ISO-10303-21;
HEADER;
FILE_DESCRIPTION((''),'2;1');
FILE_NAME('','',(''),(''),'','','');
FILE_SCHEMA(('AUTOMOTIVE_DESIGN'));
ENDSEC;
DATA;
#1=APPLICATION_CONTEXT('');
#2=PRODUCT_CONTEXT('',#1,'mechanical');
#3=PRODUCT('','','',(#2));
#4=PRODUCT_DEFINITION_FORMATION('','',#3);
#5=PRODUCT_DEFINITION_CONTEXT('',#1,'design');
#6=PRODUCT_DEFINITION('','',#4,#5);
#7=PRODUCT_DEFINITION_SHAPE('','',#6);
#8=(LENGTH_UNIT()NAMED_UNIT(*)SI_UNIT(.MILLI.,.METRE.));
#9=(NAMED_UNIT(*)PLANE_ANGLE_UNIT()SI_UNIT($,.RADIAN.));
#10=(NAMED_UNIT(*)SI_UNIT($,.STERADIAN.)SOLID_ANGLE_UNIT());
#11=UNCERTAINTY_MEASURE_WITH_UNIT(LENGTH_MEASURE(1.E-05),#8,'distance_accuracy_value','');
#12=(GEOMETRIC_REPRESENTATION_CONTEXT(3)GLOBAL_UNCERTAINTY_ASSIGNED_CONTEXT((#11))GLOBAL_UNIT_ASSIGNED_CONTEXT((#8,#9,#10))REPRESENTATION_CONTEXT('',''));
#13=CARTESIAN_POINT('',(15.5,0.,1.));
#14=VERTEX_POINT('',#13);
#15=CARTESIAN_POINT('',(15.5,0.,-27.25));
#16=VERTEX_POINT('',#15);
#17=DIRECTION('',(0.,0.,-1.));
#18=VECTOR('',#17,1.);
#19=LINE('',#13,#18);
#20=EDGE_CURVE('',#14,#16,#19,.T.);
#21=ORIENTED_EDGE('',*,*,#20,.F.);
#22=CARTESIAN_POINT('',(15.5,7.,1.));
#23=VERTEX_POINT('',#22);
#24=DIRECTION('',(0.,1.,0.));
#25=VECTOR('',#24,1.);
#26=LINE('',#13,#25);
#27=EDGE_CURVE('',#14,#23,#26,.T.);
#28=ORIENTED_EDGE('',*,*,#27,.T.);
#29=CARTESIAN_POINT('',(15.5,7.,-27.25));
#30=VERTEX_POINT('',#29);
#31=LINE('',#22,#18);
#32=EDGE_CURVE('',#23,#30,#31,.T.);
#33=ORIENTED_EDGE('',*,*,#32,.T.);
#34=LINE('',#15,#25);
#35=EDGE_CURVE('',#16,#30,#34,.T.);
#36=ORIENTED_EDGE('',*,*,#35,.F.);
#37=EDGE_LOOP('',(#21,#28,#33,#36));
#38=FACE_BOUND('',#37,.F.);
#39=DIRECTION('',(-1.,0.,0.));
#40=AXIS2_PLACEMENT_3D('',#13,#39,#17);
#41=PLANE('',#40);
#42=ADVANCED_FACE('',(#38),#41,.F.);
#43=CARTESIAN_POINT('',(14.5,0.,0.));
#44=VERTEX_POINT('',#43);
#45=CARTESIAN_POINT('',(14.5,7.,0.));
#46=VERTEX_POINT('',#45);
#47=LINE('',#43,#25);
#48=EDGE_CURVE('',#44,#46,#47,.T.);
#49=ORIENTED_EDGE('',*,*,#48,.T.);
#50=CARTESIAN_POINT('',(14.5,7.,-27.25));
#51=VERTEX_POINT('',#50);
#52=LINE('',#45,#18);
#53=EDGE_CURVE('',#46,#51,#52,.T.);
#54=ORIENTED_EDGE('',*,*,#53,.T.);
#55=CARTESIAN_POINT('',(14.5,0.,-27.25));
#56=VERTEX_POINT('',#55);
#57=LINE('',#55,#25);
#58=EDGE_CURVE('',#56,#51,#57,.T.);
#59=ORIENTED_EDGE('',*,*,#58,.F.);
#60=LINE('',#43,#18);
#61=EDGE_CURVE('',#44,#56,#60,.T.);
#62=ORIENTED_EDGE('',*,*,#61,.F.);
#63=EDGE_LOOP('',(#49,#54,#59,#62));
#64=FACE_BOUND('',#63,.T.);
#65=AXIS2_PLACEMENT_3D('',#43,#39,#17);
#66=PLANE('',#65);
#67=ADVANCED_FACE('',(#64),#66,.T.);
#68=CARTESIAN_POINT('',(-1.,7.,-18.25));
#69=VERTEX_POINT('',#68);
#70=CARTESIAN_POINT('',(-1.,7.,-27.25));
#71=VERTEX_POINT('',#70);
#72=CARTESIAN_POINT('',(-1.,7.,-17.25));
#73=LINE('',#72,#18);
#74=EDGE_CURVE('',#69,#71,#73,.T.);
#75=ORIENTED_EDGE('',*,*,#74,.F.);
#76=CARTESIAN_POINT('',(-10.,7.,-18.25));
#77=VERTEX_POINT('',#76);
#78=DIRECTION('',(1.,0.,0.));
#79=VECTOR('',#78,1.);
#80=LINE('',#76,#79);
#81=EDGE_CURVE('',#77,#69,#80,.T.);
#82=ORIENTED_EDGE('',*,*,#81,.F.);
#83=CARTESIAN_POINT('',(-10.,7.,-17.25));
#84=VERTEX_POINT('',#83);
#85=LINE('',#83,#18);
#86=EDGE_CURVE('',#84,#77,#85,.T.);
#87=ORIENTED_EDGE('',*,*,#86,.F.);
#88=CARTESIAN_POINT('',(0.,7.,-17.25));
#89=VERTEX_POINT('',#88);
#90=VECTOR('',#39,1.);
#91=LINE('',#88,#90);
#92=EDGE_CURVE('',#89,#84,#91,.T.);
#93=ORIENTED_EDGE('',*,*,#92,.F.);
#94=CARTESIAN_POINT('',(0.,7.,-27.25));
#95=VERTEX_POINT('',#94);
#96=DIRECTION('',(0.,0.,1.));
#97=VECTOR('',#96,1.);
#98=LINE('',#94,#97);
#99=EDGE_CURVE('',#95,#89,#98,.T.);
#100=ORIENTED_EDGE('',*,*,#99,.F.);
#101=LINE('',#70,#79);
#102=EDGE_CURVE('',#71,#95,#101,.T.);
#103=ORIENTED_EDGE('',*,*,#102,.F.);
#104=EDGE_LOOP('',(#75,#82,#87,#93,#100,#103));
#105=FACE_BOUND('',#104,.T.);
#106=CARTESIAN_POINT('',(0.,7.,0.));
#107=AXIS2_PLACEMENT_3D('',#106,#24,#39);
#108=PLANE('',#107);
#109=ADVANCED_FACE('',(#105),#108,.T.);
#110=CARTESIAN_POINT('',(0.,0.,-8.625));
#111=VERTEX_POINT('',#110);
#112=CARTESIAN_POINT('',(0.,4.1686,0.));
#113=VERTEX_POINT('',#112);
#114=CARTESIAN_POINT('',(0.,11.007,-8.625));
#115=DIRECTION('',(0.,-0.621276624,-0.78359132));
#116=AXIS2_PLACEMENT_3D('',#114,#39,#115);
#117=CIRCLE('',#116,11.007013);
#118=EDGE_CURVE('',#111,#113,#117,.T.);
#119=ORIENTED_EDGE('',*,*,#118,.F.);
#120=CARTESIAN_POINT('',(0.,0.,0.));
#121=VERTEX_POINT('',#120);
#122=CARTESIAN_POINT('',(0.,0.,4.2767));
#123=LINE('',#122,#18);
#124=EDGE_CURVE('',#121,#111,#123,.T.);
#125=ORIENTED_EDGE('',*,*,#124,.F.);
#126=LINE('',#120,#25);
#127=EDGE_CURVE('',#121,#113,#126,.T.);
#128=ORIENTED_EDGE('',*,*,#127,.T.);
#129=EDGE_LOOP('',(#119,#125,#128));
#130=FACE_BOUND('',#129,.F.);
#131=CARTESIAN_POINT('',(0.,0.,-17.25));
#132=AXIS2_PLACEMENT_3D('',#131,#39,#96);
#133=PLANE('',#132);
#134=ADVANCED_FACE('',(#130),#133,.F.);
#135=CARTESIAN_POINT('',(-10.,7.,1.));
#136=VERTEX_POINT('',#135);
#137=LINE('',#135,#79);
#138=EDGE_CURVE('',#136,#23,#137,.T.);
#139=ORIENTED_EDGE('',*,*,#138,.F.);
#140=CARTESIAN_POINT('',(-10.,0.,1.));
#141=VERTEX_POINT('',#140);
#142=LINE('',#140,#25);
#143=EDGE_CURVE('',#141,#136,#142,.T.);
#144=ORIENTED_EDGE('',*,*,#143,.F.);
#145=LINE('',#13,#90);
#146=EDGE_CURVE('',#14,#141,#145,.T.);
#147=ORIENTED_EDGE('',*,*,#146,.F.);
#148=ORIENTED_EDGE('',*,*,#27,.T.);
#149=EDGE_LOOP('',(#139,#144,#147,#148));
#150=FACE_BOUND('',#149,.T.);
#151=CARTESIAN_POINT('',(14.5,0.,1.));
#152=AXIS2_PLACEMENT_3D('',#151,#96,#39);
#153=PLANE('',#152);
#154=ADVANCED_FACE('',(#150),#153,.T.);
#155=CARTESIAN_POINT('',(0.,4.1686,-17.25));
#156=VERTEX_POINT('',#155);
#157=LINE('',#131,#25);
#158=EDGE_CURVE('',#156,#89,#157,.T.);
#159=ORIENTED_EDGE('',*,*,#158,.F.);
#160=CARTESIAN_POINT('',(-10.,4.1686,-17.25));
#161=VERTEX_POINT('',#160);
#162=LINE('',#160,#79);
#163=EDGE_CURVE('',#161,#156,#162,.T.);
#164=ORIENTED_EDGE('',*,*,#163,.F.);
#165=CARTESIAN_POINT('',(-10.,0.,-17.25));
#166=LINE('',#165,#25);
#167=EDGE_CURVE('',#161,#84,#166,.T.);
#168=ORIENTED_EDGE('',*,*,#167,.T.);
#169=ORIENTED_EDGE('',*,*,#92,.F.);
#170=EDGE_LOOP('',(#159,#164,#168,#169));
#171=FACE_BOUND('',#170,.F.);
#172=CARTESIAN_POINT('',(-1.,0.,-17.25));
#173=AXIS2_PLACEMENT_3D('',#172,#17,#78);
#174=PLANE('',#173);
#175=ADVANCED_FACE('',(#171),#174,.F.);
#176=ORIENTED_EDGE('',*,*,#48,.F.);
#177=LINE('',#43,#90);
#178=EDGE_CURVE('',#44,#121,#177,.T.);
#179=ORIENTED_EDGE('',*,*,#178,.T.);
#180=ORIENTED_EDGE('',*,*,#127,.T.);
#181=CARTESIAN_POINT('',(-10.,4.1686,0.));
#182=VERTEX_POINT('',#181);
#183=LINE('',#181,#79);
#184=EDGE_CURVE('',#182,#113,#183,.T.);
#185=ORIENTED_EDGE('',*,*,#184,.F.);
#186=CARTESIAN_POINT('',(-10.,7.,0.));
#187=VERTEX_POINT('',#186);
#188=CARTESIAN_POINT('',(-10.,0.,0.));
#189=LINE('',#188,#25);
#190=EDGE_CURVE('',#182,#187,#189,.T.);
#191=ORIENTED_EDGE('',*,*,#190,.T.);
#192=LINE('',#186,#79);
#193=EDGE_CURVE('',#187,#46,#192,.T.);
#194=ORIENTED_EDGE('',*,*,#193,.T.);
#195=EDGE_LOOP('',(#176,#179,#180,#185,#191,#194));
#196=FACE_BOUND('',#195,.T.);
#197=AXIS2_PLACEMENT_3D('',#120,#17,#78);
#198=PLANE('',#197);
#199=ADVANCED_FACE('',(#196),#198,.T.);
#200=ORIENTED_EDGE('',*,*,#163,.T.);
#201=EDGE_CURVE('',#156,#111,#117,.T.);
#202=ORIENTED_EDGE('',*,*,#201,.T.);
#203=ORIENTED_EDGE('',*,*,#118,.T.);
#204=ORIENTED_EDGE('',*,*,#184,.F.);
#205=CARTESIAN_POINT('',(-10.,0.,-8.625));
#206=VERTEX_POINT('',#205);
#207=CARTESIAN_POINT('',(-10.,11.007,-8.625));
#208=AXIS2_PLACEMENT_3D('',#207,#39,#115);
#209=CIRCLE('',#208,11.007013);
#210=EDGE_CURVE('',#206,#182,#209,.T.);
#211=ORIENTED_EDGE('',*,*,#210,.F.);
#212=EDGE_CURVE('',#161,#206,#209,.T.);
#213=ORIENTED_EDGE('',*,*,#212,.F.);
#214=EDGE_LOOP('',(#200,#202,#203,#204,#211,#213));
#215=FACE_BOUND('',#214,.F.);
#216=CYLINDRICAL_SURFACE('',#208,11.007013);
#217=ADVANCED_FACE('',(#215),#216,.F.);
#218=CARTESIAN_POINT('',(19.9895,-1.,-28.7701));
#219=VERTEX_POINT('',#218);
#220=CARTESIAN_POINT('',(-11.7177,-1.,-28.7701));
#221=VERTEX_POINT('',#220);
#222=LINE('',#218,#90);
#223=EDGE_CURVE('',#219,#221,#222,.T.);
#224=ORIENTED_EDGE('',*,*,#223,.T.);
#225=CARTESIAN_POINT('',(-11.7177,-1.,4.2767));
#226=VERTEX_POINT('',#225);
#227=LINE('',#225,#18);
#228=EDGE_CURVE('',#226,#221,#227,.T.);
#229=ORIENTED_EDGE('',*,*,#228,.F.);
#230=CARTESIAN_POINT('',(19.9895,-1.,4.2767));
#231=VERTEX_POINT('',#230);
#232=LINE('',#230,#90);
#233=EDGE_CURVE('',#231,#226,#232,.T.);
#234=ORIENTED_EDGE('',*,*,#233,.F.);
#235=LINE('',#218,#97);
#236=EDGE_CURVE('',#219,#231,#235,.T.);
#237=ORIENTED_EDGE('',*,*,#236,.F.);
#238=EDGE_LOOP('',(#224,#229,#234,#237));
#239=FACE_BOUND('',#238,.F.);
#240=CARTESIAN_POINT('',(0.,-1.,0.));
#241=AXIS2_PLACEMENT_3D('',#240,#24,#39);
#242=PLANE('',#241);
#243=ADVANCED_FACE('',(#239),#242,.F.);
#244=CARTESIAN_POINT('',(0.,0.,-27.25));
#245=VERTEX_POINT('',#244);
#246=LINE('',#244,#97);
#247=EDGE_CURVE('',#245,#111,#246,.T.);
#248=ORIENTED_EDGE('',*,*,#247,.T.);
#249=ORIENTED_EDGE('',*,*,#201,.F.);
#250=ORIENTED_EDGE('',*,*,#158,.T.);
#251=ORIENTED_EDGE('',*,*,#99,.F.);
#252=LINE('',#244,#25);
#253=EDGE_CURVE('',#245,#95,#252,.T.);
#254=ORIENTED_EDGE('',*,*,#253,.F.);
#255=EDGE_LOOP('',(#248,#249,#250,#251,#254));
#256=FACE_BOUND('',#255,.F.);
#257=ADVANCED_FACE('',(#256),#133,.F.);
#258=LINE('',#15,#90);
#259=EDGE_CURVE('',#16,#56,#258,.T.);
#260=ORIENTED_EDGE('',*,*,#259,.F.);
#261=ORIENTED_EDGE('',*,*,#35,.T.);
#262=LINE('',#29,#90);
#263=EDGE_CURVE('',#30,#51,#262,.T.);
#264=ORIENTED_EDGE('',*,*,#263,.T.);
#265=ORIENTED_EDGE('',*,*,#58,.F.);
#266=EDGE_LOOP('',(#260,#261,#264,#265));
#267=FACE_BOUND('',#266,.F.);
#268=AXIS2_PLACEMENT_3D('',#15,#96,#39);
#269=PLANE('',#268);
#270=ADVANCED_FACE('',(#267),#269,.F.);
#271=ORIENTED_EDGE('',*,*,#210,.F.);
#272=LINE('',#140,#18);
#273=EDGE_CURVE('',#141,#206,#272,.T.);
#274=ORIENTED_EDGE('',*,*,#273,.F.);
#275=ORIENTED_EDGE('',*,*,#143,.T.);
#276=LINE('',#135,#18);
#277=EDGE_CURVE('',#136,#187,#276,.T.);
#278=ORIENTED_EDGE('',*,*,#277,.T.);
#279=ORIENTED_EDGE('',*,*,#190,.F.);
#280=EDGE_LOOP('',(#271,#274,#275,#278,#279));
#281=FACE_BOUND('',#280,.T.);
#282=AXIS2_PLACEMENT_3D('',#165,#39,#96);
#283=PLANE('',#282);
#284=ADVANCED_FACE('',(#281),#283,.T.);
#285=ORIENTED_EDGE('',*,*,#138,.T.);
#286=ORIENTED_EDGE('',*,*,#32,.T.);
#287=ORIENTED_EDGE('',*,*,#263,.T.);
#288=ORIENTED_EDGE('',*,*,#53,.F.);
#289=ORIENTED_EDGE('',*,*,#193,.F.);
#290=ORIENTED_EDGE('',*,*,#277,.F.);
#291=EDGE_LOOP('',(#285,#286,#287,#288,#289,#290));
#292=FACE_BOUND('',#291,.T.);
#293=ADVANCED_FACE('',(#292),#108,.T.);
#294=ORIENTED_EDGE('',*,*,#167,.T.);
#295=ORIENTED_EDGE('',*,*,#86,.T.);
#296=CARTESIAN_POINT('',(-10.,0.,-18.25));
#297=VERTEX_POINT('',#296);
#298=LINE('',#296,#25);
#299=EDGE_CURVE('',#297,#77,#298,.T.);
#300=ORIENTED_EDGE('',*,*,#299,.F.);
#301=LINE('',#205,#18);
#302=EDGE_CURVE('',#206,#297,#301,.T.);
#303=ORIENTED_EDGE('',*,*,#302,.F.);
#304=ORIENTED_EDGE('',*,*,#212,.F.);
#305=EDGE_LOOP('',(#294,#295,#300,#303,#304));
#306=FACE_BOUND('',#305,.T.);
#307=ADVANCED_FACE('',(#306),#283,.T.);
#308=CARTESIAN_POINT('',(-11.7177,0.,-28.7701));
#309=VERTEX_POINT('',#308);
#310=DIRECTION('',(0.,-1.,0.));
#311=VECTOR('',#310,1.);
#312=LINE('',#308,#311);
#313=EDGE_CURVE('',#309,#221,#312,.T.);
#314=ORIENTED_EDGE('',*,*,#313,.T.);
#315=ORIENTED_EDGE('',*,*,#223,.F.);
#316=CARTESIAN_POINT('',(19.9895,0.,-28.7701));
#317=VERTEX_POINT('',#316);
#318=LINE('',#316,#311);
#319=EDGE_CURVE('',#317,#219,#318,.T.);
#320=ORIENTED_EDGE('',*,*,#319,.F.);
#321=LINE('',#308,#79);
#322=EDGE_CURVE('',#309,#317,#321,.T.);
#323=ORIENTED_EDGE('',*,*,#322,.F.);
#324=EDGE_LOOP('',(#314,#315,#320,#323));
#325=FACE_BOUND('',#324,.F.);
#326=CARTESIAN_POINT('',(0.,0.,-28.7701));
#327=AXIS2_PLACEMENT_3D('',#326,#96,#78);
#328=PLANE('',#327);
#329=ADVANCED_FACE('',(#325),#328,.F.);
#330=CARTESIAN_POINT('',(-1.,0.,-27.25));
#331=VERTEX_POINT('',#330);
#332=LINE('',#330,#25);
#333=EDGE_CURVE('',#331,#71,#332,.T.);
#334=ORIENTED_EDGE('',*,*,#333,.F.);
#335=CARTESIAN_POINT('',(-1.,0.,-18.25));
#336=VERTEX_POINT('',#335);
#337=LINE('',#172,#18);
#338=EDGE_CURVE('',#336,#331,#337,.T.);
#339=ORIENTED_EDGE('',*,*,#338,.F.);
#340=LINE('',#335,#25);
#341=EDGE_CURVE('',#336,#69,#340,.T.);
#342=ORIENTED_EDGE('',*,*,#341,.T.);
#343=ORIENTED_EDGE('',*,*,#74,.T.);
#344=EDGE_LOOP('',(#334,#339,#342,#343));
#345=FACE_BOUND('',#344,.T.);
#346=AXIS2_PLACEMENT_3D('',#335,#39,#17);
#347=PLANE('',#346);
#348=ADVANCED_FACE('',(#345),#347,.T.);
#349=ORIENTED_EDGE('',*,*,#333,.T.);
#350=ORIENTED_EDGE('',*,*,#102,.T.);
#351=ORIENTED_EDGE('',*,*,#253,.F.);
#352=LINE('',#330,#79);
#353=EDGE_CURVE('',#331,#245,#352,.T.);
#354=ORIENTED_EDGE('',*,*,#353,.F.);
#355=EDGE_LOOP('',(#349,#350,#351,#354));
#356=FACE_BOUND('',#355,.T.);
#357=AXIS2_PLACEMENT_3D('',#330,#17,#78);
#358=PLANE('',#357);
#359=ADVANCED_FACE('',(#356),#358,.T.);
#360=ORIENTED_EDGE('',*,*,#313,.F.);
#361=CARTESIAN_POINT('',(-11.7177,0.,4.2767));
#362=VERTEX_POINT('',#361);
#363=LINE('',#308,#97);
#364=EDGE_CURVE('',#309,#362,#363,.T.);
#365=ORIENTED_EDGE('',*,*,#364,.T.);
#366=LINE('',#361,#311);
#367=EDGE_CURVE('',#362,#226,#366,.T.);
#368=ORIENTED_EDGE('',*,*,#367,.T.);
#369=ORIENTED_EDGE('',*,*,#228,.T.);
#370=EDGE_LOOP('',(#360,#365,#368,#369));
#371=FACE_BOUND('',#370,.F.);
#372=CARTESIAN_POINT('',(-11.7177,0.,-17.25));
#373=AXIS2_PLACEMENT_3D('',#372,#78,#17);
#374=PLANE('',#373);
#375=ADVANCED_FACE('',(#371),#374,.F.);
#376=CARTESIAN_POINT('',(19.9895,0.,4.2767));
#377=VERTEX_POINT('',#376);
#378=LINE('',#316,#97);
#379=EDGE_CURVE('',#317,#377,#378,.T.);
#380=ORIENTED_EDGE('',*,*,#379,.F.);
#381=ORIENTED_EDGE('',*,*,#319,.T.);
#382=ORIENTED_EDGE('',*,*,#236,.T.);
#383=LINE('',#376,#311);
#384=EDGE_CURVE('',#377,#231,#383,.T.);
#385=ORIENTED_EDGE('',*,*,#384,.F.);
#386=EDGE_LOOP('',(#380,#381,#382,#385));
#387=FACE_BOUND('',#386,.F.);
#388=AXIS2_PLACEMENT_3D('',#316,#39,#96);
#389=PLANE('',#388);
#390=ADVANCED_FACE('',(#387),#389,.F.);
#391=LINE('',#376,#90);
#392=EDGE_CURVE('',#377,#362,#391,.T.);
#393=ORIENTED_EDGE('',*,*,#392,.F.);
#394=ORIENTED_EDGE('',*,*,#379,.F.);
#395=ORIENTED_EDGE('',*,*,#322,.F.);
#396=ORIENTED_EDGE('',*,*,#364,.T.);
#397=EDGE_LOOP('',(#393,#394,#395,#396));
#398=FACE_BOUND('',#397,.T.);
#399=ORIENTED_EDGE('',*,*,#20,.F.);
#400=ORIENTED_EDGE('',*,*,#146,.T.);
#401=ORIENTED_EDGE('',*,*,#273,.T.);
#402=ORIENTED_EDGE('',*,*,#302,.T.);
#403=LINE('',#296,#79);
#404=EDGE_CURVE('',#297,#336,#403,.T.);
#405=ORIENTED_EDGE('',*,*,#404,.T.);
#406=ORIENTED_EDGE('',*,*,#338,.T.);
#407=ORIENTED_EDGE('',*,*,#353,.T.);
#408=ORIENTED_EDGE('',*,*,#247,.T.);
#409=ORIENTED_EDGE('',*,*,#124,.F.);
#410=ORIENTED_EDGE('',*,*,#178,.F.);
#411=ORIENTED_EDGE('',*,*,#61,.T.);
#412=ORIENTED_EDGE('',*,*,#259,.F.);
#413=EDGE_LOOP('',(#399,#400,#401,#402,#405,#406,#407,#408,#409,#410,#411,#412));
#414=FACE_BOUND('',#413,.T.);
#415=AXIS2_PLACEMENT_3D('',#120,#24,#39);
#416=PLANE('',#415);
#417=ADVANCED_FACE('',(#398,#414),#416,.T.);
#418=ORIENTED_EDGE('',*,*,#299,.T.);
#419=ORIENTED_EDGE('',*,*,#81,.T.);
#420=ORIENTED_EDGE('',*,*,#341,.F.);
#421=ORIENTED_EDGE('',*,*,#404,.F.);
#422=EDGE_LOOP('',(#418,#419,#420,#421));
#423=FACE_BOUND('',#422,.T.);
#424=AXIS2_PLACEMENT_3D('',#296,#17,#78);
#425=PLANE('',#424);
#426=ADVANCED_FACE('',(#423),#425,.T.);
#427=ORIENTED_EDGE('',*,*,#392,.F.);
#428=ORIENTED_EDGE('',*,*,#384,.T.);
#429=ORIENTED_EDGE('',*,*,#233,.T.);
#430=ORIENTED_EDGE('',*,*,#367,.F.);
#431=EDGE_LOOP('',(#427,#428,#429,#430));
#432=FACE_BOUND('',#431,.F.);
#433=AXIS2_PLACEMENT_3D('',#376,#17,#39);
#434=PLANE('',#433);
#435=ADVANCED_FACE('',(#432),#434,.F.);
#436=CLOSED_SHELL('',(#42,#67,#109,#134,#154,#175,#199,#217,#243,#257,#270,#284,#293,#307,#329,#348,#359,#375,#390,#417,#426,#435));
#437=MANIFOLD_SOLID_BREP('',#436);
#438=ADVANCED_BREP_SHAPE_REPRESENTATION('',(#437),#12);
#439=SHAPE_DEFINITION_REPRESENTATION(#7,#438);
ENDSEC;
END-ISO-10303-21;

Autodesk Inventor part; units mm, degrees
ref_plane "YZ Plane" through (0, 0, 0) normal (1, 0, 0) x (0, 1, 0)
ref_plane "XZ Plane" through (0, 0, 0) normal (0, 1, 0) x (-1, 0, 0)
ref_plane "XY Plane" through (0, 0, 0) normal (0, 0, 1) x (1, 0, 0)
sketch "Sketch1" plane through (0, 0, 0) normal (0, 1, 0) x (-1, 0, 0)
  line L0 (0, 0) -> (-14.5, 0)
  line L1 (-14.5, 0) -> (-14.5, -42.5)
  line L2 (-14.5, -42.5) -> (0, -42.5)
  line L3 (0, -42.5) -> (0, 0)
  line L4 (0, 0) -> (15.5, 0)
  line L5 (15.5, 0) -> (15.5, -17.25)
  line L6 (15.5, -17.25) -> (0, -17.25)
  line L7 (0, -17.25) -> (0, 0)
  line L8 (0, -17.25) -> (10, -17.25)
  line L9 (10, -17.25) -> (10, -18.25)
  line L10 (10, -18.25) -> (0, -18.25)
  line L11 (0, -18.25) -> (0, -17.25)
  line L12 (0, -17.25) -> (1, -17.25)
  line L13 (1, -17.25) -> (1, -27.25)
  line L14 (1, -27.25) -> (0, -27.25)
  line L15 (0, -27.25) -> (0, -17.25)
  line L16 (10, 0) -> (-14.5, 0)
  line L17 (-14.5, 0) -> (-14.5, 1)
  line L18 (-14.5, 1) -> (10, 1)
  line L19 (10, 1) -> (10, 0)
  line L20 (-14.5, 1) -> (-15.5, 1)
  line L21 (-15.5, 1) -> (-15.5, -27.25)
  line L22 (-15.5, -27.25) -> (-14.5, -27.25)
  line L23 (-14.5, -27.25) -> (-14.5, 1)
  line L24 (11.7177, -28.7701) -> (-19.9895, -28.7701)
  line L25 (-19.9895, -28.7701) -> (-19.9895, 4.2767)
  line L26 (-19.9895, 4.2767) -> (11.7177, 4.2767)
  line L27 (11.7177, 4.2767) -> (11.7177, -28.7701)
  dimension "d0" = 15.5
  dimension "d1" = 17.25
  dimension "d2" = 14.5
  dimension "d3" = 42.5
  dimension "d4" = 1
  dimension "d5" = 10
  dimension "d6" = 10
  dimension "d7" = 1
  dimension "d8" = 1
  dimension "d9" = 1
  dimension "d10" = 28.25
extrude "Extrusion1" add sketch "Sketch1" against normal blind 1 contours L3 L24 L1 L0 | L4 L27 L6 L3 | L0 L17 L18 L19 L4 | L1 L22 L21 L20 L17 | L6 L13 L10 L3 | L19 L18 L20 L21 L22 L1 L24 L25 L26 L27 L4 | L10 L13 L14 L3 | L6 L9 L10 L13 | L14 L13 L10 L9 L6 L27 L24 L3
extrude "Extrusion2" add sketch "Sketch1" along normal blind 7 contours L0 L17 L18 L19 L4 | L1 L22 L21 L20 L17 | L6 L13 L10 L3 | L10 L13 L14 L3 | L6 L9 L10 L13
sketch "Sketch2" plane through (-10, 0, -17.25) normal (-1, 0, 0) x (0, 0, 1)
  line L0 (0, 0) -> (-1, 0) projected
  line L1 (0, 0) -> (0, 7) projected
  line L2 (-1, 7) -> (0, 7) projected
  line L3 (-1, 0) -> (-1, 7) projected
  line L4 (18.25, 0) -> (17.25, 0) projected
  line L5 (18.25, 0) -> (18.25, 7) projected
  line L6 (17.25, 7) -> (18.25, 7) projected
  line L7 (17.25, 0) -> (17.25, 7) projected
  arc A0 (0, 4.027) -> (17.25, 4.027) centre (8.625, 11.25) ccw
  line L8 (21.5267, 0) -> (-11.5201, 0) projected
  line L9 (17.25, 4.027) -> (17.25, 0)
  line L10 (17.25, 0) -> (0, 0)
  line L11 (0, 0) -> (0, 4.027)
  line L12 (0, 0) -> (0, 7) projected
  line L13 (0, 4.027) -> (0, 0)
  line L14 (0, 0) -> (17.25, 0)
  line L15 (17.25, 0) -> (17.25, 4.027)
  arc A1 (0, 4.027) -> (17.25, 4.027) centre (8.625, 11.25) ccw
  line L16 (17.25, 4.027) -> (17.25, 0)
  line L17 (17.25, 0) -> (0, 0)
  line L18 (0, 0) -> (0, 4.027)
  line L19 (0, 4.027) -> (0, 0)
  line L20 (0, 0) -> (8.625, 0)
  line L21 (8.625, 0) -> (17.25, 0)
  line L22 (-11.5201, 0) -> (21.5267, 0) projected
  line L23 (17.25, 0) -> (17.25, 4.027)
  dimension "d15" = 8.625
  dimension "d16" = 22.5
sketch "Sketch3" plane through (-10, 0, -17.25) normal (-1, 0, 0) x (0, 0, 1)
  line L0 (0, 0) -> (-1, 0) projected
  line L1 (0, 0) -> (0, 7) projected
  line L2 (-1, 7) -> (0, 7) projected
  line L3 (-1, 0) -> (-1, 7) projected
  line L4 (18.25, 0) -> (17.25, 0) projected
  line L5 (18.25, 0) -> (18.25, 7) projected
  line L6 (17.25, 7) -> (18.25, 7) projected
  line L7 (17.25, 0) -> (17.25, 7) projected
  line L8 (21.5267, 0) -> (-11.5201, 0) projected
  arc A0 (0, 4.1686) -> (17.25, 4.1686) centre (8.625, 11.007) ccw
  line L9 (-11.5201, 0) -> (21.5267, 0) projected
  line L10 (0, 0) -> (0, 7) projected
  line L11 (0, 4.1686) -> (0, 0)
  line L12 (0, 0) -> (8.625, 0)
  line L13 (18.25, 0) -> (17.25, 0) projected
  line L14 (8.625, 0) -> (17.25, 0)
  line L15 (17.25, 0) -> (17.25, 4.1686)
  dimension "d17" = 8.625
extrude "Extrusion3" add sketch "Sketch3" against normal blind 10 contours A0 L7 L8 | L1 A0 L8
properties part number "motor_mount_fitcheck1"
